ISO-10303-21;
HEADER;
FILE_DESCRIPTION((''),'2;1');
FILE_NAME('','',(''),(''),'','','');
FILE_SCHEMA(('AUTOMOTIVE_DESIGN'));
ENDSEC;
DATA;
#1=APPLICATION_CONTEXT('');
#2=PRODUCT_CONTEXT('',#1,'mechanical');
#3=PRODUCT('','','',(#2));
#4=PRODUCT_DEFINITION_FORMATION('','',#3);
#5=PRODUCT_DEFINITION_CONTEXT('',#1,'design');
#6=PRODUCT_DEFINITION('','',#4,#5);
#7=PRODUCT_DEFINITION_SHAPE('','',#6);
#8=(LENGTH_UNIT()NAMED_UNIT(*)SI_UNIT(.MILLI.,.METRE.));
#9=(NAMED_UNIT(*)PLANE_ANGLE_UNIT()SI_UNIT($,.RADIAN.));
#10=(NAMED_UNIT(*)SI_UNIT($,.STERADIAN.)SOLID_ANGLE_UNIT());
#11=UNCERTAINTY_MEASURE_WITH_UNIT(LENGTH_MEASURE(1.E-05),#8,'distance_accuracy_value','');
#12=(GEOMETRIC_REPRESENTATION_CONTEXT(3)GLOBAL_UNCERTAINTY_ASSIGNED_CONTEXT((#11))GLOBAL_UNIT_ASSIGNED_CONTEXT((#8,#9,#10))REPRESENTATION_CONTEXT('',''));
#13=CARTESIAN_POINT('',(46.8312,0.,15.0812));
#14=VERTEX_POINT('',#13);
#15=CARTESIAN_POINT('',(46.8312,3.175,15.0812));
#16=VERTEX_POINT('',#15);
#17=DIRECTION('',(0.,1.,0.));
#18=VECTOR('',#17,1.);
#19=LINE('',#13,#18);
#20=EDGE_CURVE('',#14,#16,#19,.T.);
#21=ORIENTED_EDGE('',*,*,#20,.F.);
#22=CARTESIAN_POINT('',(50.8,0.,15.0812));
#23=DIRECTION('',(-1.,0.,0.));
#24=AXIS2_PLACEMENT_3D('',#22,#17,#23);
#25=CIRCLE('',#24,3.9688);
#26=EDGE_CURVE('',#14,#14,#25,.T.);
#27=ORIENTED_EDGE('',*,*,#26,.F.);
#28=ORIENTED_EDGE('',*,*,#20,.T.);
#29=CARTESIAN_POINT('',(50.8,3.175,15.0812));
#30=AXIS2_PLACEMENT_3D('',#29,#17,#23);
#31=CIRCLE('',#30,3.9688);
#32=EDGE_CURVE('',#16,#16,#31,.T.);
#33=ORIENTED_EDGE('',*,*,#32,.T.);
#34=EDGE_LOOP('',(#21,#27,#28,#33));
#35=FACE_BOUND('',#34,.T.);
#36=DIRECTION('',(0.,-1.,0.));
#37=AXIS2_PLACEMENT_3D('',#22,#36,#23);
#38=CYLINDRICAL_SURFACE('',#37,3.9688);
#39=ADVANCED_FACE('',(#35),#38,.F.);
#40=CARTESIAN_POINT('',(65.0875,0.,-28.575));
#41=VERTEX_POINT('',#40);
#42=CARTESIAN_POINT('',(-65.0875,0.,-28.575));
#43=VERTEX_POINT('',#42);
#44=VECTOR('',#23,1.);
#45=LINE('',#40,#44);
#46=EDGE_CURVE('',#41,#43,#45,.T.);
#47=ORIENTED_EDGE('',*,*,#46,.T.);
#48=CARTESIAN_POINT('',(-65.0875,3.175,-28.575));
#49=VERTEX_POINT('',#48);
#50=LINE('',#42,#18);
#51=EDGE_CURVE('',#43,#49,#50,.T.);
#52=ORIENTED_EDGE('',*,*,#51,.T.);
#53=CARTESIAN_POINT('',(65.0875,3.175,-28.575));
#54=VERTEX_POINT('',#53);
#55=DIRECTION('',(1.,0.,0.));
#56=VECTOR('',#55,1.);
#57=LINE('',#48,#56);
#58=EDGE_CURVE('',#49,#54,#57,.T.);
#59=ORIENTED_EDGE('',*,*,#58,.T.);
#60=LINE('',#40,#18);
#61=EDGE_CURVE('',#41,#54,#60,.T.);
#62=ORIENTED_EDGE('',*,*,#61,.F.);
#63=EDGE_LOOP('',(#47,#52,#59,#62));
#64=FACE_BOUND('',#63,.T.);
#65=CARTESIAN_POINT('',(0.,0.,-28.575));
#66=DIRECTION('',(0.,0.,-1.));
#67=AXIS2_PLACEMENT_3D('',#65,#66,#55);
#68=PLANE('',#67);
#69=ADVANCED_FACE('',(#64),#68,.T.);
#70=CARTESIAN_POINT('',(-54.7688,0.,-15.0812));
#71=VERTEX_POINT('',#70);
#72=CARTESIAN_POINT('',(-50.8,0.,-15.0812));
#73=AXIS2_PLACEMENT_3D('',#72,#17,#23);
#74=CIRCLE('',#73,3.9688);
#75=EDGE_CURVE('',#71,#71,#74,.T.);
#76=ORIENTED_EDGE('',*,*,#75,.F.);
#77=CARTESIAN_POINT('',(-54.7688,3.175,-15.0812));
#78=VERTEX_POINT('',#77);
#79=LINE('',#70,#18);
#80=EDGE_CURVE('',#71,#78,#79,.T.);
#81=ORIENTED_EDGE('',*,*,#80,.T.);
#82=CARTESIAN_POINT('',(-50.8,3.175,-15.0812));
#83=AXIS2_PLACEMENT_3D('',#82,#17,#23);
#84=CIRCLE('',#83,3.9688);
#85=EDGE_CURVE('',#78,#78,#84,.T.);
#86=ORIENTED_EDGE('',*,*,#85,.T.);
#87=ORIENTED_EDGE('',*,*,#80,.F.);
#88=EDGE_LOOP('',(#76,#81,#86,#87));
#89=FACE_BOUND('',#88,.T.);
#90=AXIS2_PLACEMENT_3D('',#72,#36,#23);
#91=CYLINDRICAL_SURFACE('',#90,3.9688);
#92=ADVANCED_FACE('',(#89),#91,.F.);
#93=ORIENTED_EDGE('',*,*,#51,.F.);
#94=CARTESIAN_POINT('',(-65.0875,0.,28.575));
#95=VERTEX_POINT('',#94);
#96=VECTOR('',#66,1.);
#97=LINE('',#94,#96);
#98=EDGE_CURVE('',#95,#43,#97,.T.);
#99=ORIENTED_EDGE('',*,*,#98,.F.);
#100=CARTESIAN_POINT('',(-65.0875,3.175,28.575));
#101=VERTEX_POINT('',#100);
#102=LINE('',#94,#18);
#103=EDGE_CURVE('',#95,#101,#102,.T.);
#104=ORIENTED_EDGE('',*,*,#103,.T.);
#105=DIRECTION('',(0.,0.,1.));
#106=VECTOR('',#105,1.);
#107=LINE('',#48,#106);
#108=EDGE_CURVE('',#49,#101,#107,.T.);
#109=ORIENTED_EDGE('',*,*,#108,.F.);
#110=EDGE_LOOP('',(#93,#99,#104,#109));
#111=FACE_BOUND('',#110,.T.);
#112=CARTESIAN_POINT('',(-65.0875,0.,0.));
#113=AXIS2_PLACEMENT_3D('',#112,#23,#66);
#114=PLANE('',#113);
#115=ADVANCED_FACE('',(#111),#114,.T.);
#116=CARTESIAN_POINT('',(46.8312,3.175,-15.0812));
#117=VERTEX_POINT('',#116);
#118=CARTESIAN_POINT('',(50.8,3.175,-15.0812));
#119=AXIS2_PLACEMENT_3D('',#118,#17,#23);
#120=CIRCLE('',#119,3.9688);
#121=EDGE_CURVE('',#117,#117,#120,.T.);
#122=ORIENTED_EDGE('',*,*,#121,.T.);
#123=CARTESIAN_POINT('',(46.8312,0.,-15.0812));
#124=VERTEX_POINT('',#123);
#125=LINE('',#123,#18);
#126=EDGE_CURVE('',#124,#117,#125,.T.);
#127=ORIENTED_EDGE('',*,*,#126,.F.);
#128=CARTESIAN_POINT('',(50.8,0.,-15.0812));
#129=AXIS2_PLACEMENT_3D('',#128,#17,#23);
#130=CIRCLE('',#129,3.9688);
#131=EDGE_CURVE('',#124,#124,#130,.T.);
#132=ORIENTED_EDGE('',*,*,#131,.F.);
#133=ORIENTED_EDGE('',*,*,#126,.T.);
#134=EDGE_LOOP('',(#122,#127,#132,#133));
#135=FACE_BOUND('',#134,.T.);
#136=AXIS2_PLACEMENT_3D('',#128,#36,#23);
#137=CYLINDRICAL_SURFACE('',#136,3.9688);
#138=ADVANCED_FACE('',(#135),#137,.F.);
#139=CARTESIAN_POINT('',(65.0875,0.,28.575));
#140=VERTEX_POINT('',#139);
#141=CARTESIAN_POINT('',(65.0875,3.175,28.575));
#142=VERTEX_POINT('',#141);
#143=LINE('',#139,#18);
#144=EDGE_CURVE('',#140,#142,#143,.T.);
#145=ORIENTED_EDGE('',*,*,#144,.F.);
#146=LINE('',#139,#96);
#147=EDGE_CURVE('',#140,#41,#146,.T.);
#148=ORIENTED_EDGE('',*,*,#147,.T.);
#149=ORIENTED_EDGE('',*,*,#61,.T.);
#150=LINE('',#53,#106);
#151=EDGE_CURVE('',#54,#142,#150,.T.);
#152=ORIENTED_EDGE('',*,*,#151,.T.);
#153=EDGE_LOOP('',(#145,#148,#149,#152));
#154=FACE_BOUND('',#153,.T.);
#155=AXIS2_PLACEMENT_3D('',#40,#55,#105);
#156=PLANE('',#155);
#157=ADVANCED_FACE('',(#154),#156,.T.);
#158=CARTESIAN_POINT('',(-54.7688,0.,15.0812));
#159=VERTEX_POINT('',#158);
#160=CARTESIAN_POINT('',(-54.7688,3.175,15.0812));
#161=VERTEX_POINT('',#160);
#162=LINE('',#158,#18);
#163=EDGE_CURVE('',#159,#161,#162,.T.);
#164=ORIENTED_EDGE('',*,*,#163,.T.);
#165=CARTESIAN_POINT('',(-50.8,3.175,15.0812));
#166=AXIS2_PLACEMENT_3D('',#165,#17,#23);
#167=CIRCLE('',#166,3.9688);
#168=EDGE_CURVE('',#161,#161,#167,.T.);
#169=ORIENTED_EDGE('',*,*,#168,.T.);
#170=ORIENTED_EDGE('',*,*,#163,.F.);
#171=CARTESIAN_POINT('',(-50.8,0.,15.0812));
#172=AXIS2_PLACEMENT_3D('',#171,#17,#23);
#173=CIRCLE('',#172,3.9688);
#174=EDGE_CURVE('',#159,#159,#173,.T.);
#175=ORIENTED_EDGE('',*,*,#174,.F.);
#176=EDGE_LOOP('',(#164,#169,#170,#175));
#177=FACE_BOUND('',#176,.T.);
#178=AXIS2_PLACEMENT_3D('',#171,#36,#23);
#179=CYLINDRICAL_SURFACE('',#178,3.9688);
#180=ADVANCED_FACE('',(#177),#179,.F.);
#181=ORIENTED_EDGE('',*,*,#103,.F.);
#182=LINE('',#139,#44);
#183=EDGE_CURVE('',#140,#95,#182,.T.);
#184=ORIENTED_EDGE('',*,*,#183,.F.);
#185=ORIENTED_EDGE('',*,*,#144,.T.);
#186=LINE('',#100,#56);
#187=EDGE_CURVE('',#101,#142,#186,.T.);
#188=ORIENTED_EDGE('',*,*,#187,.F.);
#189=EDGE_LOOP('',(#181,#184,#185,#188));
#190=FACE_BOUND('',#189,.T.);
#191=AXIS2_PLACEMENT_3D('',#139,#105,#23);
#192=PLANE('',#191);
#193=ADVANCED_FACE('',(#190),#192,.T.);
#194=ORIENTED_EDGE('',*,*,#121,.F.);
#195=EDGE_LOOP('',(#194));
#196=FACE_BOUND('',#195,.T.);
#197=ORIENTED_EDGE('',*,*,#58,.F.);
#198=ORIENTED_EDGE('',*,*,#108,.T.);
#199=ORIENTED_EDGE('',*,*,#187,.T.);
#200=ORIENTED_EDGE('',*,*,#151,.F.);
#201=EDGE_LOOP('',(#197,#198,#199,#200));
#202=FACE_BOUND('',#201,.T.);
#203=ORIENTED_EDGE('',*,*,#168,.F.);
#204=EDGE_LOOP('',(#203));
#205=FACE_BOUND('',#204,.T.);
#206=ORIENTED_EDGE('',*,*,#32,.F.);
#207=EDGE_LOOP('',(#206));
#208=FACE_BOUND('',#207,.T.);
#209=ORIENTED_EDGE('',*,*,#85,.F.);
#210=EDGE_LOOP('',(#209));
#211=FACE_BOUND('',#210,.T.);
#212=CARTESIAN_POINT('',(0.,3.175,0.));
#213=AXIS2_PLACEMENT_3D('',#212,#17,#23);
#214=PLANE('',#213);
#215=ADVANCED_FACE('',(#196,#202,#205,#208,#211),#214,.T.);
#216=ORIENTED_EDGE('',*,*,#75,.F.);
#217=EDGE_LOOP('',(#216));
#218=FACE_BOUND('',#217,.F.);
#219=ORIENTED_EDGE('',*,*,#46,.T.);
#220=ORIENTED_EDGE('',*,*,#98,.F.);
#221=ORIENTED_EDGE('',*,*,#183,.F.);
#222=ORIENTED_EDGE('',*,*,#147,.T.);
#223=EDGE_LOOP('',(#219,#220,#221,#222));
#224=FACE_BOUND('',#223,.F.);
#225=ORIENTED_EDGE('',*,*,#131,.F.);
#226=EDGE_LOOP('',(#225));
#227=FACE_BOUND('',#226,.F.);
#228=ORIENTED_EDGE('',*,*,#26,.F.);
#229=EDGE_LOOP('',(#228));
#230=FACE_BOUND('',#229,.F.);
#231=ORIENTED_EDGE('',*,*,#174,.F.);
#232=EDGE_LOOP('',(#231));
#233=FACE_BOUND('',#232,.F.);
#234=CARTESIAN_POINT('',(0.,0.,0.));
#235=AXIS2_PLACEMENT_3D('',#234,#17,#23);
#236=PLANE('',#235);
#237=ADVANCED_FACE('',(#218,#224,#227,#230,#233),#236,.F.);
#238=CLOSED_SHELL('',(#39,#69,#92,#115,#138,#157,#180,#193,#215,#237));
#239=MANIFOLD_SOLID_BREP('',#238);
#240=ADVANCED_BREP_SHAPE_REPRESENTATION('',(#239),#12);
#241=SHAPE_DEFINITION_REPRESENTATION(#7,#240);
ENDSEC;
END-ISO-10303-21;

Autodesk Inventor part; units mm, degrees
ref_plane "YZ Plane" through (0, 0, 0) normal (1, 0, 0) x (0, 1, 0)
ref_plane "XZ Plane" through (0, 0, 0) normal (0, 1, 0) x (-1, 0, 0)
ref_plane "XY Plane" through (0, 0, 0) normal (0, 0, 1) x (1, 0, 0)
sketch "Sketch1" plane through (0, 0, 0) normal (0, 1, 0) x (-1, 0, 0)
  line L0 (0, -40.005) -> (0, 40.005) projected
  line L1 (91.1225, 0) -> (-91.1225, 0) projected
  line L2 (65.0875, -28.575) -> (-65.0875, -28.575)
  line L3 (-65.0875, -28.575) -> (-65.0875, 28.575)
  line L4 (-65.0875, 28.575) -> (65.0875, 28.575)
  line L5 (65.0875, 28.575) -> (65.0875, -28.575)
  circle A0 centre (50.8, -15.0812) radius 3.9688
  circle A1 centre (50.8, 15.0812) radius 3.9688
  circle A2 centre (-50.8, -15.0812) radius 3.9688
  circle A3 centre (-50.8, 15.0812) radius 3.9688
  point P0 (0, 0)
  dimension "d0" = 130.175
  dimension "d1" = 57.15
  dimension "d2" = 50.8
  dimension "d3" = 15.0813
  dimension "d4" = 7.9375
extrude "Extrusion1" add sketch "Sketch1" along normal blind 3.175
properties part number "Static_Caster_Plate"
